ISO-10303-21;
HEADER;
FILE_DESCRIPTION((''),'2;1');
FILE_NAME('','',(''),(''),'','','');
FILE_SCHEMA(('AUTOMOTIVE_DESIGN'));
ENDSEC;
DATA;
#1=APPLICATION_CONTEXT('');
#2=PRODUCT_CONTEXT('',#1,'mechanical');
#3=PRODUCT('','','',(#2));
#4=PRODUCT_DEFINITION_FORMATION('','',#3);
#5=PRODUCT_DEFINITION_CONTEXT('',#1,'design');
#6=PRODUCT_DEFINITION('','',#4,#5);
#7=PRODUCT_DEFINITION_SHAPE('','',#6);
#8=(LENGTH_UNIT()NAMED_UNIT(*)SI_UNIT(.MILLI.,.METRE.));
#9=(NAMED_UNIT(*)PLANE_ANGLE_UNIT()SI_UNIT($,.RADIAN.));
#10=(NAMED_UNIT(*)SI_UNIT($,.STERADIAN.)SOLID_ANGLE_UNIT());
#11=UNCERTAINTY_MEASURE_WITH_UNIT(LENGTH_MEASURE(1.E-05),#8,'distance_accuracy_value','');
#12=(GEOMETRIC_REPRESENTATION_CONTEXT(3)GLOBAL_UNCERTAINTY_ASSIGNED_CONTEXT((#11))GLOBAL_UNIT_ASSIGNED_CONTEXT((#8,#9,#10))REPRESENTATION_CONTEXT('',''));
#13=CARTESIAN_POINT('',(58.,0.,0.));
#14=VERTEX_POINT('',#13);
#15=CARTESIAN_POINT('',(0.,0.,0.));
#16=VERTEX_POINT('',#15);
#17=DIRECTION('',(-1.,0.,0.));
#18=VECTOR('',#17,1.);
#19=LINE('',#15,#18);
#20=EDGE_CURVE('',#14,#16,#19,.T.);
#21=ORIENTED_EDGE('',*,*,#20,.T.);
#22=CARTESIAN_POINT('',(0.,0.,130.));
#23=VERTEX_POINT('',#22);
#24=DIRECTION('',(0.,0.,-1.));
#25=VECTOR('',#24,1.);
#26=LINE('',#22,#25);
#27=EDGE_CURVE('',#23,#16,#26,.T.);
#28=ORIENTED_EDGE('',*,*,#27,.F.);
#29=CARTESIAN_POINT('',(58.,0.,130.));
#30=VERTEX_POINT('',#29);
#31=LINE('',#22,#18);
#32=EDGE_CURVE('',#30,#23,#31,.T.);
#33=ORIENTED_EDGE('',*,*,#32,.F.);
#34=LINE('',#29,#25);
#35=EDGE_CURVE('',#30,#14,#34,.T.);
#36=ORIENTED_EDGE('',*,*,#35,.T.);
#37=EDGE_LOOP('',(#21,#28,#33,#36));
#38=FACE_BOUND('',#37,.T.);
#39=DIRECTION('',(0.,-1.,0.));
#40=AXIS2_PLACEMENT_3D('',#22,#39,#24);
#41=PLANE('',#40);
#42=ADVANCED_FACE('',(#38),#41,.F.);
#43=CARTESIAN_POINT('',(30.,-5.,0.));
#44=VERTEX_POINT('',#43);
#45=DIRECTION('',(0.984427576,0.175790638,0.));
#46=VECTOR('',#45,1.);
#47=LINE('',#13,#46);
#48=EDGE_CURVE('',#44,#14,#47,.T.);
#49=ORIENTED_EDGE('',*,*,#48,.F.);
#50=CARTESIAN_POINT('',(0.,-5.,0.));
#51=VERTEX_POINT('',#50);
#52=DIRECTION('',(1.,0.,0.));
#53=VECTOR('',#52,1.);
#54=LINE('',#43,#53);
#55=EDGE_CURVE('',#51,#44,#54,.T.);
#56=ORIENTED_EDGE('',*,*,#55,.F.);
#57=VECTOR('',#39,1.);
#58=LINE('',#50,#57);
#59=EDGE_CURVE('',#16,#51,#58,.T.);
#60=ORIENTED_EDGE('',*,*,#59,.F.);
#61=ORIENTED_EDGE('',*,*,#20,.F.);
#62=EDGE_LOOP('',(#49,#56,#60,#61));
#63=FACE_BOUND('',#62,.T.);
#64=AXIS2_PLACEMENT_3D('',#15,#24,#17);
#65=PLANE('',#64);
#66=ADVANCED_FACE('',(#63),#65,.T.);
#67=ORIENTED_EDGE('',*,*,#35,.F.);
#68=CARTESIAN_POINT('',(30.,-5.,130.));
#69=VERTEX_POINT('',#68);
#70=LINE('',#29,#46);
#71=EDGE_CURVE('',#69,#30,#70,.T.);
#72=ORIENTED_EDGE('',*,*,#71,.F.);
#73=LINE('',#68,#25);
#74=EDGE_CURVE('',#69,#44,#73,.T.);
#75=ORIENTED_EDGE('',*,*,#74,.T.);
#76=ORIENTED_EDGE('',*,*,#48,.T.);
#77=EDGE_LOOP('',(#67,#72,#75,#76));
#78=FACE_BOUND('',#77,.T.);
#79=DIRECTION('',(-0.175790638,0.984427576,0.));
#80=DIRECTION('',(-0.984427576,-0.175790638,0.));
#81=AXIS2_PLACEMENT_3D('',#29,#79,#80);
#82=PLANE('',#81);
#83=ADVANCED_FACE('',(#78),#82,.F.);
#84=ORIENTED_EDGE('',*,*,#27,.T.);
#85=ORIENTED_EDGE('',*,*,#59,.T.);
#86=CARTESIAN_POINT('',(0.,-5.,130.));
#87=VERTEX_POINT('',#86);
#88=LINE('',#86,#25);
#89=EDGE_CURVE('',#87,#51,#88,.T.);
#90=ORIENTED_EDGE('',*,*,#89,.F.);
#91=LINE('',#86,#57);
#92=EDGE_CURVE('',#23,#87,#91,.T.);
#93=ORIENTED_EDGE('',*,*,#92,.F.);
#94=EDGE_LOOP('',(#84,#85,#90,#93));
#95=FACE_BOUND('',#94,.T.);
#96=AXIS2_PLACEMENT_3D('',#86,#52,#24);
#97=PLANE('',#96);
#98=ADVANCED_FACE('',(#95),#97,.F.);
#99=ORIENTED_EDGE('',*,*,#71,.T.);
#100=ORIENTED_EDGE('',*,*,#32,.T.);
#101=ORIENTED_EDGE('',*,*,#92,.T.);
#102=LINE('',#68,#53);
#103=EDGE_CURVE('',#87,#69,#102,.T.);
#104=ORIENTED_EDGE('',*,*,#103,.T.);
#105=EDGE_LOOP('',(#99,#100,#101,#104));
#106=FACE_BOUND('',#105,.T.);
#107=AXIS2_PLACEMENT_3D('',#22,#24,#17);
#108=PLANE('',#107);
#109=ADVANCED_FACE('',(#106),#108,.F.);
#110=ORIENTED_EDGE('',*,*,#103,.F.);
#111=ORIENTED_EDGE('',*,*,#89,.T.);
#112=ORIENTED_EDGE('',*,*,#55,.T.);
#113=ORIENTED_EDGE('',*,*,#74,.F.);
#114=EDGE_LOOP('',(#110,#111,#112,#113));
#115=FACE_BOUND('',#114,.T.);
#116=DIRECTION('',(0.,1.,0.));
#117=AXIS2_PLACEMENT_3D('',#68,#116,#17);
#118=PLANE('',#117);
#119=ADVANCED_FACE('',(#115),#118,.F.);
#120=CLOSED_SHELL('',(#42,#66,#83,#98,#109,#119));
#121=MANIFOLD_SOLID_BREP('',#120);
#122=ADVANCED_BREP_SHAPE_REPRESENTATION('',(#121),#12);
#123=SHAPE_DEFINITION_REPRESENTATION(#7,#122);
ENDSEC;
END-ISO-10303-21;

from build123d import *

# Parameters (mm, degrees)
BOSS_EXTRUDE1_DEPTH = 130


with BuildPart() as part:
    # Sketch1 → Boss-Extrude1 (new body)
    with BuildSketch(Plane.XY):
        Polygon((0, 0), (58, 0), (30, -5), (0, -5), align=None)
    extrude(amount=BOSS_EXTRUDE1_DEPTH)


solid = part.part
